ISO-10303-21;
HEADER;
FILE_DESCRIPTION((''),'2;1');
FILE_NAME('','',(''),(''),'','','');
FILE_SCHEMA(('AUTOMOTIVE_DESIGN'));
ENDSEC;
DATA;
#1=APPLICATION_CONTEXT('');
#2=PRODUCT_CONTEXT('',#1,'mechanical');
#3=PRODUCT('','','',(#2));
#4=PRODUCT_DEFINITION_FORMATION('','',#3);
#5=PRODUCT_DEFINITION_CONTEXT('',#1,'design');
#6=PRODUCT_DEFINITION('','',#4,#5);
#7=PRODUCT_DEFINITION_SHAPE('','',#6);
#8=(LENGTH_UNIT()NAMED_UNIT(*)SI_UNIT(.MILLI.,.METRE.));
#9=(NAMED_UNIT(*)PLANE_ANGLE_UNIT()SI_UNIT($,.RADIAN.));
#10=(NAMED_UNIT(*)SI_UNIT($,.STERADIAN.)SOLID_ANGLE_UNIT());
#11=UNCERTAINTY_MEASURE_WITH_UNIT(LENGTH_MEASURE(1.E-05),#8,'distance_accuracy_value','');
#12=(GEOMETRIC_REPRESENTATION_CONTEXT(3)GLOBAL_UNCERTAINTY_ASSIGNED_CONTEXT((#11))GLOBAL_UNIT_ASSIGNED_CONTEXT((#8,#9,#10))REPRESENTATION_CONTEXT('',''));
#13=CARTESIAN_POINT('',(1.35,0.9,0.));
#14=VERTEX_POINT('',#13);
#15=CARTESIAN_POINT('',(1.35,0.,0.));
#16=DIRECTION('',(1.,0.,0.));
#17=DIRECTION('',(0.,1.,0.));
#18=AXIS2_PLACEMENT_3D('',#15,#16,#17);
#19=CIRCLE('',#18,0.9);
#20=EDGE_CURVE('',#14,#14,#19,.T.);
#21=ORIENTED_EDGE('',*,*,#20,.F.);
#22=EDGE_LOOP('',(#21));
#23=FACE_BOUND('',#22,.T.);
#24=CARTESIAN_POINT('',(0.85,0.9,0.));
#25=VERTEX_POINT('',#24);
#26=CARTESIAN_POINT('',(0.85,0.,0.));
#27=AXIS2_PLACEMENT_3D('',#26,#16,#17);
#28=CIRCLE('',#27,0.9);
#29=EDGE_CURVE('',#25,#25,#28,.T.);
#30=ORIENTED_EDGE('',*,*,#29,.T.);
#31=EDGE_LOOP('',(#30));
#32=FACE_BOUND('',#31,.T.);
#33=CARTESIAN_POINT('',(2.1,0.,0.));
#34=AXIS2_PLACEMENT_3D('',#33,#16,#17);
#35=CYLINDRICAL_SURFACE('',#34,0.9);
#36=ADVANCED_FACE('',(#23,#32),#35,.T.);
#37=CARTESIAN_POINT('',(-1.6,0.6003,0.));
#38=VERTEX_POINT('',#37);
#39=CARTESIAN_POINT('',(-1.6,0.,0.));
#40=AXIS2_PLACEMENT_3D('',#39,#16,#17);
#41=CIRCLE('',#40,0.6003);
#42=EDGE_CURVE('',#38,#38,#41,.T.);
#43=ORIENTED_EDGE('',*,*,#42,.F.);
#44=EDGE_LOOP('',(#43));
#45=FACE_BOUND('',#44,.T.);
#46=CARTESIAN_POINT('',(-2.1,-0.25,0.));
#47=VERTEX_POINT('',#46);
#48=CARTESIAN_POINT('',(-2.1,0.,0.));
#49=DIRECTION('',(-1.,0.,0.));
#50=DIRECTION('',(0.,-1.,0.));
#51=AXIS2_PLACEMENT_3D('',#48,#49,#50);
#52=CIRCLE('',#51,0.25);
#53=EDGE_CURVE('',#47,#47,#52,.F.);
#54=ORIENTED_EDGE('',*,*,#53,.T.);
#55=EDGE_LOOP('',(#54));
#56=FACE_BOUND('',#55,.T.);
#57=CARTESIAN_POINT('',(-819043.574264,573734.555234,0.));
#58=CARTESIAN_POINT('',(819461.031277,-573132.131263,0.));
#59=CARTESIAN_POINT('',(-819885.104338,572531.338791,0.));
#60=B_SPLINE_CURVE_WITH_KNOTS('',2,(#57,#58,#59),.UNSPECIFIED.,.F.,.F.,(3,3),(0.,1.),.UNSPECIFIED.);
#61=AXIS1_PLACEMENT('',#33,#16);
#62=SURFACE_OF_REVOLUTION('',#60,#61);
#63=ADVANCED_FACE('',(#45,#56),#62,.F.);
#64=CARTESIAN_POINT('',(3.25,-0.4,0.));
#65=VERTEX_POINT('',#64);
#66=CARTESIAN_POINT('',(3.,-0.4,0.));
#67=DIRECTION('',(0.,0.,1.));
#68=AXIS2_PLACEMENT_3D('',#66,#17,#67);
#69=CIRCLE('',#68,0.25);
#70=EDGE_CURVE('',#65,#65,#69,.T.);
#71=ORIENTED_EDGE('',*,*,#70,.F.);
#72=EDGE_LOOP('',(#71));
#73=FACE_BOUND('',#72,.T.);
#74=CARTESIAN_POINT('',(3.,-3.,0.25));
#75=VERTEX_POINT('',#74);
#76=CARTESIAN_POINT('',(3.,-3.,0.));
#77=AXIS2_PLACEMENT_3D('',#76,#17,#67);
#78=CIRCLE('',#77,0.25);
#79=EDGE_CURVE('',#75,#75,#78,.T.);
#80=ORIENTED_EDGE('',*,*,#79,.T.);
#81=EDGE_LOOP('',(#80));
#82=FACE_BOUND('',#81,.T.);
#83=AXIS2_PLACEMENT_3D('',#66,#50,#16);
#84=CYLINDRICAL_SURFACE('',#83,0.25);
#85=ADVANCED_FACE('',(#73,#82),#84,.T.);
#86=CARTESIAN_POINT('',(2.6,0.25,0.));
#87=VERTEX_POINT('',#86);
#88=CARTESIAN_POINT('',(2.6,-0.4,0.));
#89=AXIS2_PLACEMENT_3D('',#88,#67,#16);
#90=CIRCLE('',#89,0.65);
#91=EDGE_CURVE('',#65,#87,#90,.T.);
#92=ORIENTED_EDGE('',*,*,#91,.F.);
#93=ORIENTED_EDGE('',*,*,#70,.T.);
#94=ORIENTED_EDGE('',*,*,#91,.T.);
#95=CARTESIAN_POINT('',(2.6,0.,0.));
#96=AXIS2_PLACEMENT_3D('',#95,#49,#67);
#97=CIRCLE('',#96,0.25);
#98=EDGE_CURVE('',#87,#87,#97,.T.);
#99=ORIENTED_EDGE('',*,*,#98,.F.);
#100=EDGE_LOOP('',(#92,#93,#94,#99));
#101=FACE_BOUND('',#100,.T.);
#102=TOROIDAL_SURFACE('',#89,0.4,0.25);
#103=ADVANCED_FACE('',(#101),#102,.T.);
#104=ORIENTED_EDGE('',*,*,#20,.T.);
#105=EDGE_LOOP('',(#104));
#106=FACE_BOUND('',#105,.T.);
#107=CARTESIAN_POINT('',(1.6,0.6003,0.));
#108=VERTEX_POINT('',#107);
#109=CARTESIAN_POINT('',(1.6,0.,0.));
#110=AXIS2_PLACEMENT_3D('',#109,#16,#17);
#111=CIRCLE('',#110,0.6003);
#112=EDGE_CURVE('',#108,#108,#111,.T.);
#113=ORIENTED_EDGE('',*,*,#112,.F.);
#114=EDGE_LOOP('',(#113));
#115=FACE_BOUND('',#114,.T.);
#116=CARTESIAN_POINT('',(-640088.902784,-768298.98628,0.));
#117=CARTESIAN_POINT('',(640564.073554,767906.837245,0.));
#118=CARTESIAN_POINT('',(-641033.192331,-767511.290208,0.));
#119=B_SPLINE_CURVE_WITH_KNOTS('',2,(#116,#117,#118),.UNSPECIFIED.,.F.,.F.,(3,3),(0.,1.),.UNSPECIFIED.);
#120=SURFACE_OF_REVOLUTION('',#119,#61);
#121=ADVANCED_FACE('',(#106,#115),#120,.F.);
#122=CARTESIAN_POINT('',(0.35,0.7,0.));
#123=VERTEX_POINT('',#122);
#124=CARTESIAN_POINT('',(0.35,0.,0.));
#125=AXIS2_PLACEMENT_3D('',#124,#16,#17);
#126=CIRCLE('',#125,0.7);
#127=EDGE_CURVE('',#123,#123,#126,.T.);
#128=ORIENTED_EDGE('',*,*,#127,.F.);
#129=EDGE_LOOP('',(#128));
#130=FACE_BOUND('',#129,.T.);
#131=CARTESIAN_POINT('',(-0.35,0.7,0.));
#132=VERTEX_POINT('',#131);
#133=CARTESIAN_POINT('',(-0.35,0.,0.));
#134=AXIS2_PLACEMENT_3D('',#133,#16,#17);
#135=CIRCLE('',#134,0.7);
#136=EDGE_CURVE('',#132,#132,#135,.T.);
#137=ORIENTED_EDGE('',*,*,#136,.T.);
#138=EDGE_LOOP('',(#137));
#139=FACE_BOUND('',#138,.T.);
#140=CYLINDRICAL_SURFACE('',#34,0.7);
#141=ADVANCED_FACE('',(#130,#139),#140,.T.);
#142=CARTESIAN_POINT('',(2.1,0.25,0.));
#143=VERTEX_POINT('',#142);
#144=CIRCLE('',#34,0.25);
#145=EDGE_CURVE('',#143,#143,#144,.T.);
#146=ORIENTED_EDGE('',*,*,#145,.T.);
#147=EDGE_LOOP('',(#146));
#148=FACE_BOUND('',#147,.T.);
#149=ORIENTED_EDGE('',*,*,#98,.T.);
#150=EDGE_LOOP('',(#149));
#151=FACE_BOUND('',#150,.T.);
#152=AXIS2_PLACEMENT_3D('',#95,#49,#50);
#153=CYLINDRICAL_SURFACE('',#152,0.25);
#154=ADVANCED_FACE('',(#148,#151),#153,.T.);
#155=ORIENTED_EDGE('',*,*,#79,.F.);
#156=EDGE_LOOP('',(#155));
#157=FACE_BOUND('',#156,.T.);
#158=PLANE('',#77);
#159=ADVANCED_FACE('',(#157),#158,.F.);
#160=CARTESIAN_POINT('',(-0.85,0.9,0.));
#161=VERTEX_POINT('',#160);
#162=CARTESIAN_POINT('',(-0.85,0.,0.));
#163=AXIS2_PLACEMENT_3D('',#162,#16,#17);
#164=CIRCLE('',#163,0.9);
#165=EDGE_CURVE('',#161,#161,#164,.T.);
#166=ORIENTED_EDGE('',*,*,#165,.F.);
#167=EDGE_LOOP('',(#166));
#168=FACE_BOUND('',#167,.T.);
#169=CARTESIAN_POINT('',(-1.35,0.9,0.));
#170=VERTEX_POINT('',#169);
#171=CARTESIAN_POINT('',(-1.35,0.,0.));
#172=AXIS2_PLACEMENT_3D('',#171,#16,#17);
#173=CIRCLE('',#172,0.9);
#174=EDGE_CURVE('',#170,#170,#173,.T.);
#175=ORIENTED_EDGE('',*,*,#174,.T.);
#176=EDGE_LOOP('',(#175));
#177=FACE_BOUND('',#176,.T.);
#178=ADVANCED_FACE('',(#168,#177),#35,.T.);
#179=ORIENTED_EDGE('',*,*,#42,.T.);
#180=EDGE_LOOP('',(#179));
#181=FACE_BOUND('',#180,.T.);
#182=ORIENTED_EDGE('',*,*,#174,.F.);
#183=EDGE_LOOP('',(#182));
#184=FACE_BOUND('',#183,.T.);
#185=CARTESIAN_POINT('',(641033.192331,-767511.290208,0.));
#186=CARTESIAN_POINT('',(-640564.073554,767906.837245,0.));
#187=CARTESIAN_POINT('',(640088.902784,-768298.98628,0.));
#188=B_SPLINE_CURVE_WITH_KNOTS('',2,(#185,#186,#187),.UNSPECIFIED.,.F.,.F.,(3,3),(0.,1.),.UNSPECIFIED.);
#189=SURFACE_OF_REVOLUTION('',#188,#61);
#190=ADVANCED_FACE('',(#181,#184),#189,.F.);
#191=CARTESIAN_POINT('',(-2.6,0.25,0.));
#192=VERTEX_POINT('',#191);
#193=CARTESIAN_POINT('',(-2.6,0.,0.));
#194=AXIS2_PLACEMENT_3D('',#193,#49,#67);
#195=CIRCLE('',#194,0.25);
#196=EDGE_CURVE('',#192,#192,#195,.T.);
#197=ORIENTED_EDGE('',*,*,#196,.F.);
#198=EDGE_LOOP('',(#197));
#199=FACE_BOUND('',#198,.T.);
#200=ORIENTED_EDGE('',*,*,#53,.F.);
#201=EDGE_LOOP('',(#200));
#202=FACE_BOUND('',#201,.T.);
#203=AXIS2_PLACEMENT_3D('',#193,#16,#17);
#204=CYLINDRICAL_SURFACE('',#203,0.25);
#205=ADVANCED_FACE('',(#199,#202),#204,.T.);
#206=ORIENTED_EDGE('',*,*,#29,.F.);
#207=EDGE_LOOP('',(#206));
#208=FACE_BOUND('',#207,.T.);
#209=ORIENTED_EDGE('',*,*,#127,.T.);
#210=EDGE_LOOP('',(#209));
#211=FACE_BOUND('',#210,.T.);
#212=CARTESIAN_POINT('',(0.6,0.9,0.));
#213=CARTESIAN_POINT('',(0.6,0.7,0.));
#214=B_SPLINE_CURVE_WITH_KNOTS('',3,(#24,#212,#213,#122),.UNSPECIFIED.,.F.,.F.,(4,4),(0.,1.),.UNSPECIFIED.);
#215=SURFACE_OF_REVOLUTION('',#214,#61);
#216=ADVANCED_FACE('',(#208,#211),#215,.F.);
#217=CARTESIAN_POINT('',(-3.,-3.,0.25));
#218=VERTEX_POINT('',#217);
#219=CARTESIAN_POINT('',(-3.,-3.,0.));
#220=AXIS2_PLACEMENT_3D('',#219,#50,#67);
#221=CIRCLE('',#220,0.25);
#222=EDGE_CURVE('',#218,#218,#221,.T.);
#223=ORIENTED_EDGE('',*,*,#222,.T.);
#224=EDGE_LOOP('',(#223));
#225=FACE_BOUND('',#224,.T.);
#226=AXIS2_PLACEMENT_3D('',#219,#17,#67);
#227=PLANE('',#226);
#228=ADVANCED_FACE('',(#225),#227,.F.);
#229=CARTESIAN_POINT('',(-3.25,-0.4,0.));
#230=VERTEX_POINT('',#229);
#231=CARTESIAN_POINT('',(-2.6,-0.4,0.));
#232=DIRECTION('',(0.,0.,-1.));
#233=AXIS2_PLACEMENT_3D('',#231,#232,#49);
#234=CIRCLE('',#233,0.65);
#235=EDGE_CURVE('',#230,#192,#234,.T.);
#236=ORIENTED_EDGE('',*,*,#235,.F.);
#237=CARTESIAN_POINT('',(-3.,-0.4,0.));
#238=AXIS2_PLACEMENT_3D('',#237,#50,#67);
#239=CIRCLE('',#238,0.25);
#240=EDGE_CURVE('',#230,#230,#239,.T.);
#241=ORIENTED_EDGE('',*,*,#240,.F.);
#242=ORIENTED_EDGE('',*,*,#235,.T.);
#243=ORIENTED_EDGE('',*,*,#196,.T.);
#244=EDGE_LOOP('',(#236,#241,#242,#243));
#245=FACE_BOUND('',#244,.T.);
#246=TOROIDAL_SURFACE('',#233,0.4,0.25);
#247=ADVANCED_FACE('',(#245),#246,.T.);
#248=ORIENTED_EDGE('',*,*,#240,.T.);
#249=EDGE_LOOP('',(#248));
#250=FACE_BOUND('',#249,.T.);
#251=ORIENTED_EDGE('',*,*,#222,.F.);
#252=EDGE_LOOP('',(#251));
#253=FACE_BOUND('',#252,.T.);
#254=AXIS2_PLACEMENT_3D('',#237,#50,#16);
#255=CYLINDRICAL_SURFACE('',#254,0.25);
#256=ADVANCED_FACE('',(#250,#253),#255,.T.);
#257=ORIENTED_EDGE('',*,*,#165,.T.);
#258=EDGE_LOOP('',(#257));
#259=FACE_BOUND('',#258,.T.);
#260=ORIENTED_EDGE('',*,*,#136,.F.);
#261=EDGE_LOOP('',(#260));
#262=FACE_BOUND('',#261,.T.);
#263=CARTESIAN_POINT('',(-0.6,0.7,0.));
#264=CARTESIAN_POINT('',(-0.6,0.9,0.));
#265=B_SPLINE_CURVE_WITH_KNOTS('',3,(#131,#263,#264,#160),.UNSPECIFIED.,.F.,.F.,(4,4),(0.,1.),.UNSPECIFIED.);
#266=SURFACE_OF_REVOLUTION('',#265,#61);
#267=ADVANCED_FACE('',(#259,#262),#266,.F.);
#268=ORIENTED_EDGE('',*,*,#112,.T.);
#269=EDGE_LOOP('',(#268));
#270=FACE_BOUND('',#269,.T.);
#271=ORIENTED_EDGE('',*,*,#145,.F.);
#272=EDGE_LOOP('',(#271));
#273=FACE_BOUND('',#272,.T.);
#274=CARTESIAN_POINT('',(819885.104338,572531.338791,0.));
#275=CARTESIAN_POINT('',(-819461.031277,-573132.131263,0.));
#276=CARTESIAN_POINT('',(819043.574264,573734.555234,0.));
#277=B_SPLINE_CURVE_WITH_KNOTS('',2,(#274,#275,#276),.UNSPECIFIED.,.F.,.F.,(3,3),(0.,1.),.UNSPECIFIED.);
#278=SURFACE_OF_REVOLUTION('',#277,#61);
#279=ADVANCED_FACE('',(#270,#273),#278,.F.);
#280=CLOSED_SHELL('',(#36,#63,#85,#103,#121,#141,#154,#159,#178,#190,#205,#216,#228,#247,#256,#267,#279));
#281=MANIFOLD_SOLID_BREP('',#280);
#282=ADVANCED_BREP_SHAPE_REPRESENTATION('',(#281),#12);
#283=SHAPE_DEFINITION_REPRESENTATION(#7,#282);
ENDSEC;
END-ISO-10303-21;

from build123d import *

# Parameters (mm, degrees)
SKETCH_3_R = 0.25


with BuildPart() as part:
    # Эскиз1 → Повернуть1 (revolve)
    with BuildSketch(Plane.XY):
        with BuildLine():
            Line((-0.35, 0.7), (0.35, 0.7))
            add(Edge.make_bspline(
                [(0.85, 0.9), (0.6, 0.9), (0.6, 0.7), (0.35, 0.7)],
                knots=[0, 0, 0, 0, 1, 1, 1, 1], degree=3))
            Line((0.85, 0.9), (1.35, 0.9))
            add(Edge.make_bspline(
                [(1.599999925, 0.600300016), (1.599897388, 0.899876961), (1.35, 0.9)],
                knots=[0, 0, 0, 1, 1, 1], degree=2))
            add(Edge.make_bspline(
                [(2.1, 0.25), (1.599859003, 0.250201318), (1.599999925, 0.600300016)],
                knots=[0, 0, 0, 1, 1, 1], degree=2))
            Line((2.1, 0.25), (2.1, 0))
            Line((2.1, 0), (-2.1, 0))
            Line((-2.1, 0), (-2.1, 0.25))
            add(Edge.make_bspline(
                [(-2.1, 0.25), (-1.599859003, 0.250201318), (-1.599999925, 0.600300016)],
                knots=[0, 0, 0, 1, 1, 1], degree=2))
            add(Edge.make_bspline(
                [(-1.599999925, 0.600300016), (-1.599897388, 0.899876961), (-1.35, 0.9)],
                knots=[0, 0, 0, 1, 1, 1], degree=2))
            Line((-1.35, 0.9), (-0.85, 0.9))
            add(Edge.make_bspline(
                [(-0.85, 0.9), (-0.6, 0.9), (-0.6, 0.7), (-0.35, 0.7)],
                knots=[0, 0, 0, 0, 1, 1, 1, 1], degree=3))
        make_face()
    revolve(axis=Axis((2.1, 0, 0), (-1, 0, 0)))

    # По траектории1: sweep along a path in Эскиз2
    with BuildLine(Plane.XY) as sweep_1_path:
        Line((0, 0), (2.6, 0))
        ThreePointArc((2.6, 0), (2.882842712, -0.117157288), (3, -0.4))
        Line((3, -0.4), (3, -3))
    # Эскиз3 → По траектории1 (sweep)
    with BuildSketch(Plane(origin=(0, -3, 0), x_dir=(1, 0, 0), z_dir=(0, 1, 0))):
        with Locations((3, 0)):
            Circle(SKETCH_3_R)
    sweep_1 = sweep(path=sweep_1_path.line)

    # Зеркальное отражение1: По траектории1 across plane
    add(sweep_1.mirror(Plane(origin=(0, 0, 0), x_dir=(0, 0, 1), z_dir=(1, 0, 0))))


solid = part.part
